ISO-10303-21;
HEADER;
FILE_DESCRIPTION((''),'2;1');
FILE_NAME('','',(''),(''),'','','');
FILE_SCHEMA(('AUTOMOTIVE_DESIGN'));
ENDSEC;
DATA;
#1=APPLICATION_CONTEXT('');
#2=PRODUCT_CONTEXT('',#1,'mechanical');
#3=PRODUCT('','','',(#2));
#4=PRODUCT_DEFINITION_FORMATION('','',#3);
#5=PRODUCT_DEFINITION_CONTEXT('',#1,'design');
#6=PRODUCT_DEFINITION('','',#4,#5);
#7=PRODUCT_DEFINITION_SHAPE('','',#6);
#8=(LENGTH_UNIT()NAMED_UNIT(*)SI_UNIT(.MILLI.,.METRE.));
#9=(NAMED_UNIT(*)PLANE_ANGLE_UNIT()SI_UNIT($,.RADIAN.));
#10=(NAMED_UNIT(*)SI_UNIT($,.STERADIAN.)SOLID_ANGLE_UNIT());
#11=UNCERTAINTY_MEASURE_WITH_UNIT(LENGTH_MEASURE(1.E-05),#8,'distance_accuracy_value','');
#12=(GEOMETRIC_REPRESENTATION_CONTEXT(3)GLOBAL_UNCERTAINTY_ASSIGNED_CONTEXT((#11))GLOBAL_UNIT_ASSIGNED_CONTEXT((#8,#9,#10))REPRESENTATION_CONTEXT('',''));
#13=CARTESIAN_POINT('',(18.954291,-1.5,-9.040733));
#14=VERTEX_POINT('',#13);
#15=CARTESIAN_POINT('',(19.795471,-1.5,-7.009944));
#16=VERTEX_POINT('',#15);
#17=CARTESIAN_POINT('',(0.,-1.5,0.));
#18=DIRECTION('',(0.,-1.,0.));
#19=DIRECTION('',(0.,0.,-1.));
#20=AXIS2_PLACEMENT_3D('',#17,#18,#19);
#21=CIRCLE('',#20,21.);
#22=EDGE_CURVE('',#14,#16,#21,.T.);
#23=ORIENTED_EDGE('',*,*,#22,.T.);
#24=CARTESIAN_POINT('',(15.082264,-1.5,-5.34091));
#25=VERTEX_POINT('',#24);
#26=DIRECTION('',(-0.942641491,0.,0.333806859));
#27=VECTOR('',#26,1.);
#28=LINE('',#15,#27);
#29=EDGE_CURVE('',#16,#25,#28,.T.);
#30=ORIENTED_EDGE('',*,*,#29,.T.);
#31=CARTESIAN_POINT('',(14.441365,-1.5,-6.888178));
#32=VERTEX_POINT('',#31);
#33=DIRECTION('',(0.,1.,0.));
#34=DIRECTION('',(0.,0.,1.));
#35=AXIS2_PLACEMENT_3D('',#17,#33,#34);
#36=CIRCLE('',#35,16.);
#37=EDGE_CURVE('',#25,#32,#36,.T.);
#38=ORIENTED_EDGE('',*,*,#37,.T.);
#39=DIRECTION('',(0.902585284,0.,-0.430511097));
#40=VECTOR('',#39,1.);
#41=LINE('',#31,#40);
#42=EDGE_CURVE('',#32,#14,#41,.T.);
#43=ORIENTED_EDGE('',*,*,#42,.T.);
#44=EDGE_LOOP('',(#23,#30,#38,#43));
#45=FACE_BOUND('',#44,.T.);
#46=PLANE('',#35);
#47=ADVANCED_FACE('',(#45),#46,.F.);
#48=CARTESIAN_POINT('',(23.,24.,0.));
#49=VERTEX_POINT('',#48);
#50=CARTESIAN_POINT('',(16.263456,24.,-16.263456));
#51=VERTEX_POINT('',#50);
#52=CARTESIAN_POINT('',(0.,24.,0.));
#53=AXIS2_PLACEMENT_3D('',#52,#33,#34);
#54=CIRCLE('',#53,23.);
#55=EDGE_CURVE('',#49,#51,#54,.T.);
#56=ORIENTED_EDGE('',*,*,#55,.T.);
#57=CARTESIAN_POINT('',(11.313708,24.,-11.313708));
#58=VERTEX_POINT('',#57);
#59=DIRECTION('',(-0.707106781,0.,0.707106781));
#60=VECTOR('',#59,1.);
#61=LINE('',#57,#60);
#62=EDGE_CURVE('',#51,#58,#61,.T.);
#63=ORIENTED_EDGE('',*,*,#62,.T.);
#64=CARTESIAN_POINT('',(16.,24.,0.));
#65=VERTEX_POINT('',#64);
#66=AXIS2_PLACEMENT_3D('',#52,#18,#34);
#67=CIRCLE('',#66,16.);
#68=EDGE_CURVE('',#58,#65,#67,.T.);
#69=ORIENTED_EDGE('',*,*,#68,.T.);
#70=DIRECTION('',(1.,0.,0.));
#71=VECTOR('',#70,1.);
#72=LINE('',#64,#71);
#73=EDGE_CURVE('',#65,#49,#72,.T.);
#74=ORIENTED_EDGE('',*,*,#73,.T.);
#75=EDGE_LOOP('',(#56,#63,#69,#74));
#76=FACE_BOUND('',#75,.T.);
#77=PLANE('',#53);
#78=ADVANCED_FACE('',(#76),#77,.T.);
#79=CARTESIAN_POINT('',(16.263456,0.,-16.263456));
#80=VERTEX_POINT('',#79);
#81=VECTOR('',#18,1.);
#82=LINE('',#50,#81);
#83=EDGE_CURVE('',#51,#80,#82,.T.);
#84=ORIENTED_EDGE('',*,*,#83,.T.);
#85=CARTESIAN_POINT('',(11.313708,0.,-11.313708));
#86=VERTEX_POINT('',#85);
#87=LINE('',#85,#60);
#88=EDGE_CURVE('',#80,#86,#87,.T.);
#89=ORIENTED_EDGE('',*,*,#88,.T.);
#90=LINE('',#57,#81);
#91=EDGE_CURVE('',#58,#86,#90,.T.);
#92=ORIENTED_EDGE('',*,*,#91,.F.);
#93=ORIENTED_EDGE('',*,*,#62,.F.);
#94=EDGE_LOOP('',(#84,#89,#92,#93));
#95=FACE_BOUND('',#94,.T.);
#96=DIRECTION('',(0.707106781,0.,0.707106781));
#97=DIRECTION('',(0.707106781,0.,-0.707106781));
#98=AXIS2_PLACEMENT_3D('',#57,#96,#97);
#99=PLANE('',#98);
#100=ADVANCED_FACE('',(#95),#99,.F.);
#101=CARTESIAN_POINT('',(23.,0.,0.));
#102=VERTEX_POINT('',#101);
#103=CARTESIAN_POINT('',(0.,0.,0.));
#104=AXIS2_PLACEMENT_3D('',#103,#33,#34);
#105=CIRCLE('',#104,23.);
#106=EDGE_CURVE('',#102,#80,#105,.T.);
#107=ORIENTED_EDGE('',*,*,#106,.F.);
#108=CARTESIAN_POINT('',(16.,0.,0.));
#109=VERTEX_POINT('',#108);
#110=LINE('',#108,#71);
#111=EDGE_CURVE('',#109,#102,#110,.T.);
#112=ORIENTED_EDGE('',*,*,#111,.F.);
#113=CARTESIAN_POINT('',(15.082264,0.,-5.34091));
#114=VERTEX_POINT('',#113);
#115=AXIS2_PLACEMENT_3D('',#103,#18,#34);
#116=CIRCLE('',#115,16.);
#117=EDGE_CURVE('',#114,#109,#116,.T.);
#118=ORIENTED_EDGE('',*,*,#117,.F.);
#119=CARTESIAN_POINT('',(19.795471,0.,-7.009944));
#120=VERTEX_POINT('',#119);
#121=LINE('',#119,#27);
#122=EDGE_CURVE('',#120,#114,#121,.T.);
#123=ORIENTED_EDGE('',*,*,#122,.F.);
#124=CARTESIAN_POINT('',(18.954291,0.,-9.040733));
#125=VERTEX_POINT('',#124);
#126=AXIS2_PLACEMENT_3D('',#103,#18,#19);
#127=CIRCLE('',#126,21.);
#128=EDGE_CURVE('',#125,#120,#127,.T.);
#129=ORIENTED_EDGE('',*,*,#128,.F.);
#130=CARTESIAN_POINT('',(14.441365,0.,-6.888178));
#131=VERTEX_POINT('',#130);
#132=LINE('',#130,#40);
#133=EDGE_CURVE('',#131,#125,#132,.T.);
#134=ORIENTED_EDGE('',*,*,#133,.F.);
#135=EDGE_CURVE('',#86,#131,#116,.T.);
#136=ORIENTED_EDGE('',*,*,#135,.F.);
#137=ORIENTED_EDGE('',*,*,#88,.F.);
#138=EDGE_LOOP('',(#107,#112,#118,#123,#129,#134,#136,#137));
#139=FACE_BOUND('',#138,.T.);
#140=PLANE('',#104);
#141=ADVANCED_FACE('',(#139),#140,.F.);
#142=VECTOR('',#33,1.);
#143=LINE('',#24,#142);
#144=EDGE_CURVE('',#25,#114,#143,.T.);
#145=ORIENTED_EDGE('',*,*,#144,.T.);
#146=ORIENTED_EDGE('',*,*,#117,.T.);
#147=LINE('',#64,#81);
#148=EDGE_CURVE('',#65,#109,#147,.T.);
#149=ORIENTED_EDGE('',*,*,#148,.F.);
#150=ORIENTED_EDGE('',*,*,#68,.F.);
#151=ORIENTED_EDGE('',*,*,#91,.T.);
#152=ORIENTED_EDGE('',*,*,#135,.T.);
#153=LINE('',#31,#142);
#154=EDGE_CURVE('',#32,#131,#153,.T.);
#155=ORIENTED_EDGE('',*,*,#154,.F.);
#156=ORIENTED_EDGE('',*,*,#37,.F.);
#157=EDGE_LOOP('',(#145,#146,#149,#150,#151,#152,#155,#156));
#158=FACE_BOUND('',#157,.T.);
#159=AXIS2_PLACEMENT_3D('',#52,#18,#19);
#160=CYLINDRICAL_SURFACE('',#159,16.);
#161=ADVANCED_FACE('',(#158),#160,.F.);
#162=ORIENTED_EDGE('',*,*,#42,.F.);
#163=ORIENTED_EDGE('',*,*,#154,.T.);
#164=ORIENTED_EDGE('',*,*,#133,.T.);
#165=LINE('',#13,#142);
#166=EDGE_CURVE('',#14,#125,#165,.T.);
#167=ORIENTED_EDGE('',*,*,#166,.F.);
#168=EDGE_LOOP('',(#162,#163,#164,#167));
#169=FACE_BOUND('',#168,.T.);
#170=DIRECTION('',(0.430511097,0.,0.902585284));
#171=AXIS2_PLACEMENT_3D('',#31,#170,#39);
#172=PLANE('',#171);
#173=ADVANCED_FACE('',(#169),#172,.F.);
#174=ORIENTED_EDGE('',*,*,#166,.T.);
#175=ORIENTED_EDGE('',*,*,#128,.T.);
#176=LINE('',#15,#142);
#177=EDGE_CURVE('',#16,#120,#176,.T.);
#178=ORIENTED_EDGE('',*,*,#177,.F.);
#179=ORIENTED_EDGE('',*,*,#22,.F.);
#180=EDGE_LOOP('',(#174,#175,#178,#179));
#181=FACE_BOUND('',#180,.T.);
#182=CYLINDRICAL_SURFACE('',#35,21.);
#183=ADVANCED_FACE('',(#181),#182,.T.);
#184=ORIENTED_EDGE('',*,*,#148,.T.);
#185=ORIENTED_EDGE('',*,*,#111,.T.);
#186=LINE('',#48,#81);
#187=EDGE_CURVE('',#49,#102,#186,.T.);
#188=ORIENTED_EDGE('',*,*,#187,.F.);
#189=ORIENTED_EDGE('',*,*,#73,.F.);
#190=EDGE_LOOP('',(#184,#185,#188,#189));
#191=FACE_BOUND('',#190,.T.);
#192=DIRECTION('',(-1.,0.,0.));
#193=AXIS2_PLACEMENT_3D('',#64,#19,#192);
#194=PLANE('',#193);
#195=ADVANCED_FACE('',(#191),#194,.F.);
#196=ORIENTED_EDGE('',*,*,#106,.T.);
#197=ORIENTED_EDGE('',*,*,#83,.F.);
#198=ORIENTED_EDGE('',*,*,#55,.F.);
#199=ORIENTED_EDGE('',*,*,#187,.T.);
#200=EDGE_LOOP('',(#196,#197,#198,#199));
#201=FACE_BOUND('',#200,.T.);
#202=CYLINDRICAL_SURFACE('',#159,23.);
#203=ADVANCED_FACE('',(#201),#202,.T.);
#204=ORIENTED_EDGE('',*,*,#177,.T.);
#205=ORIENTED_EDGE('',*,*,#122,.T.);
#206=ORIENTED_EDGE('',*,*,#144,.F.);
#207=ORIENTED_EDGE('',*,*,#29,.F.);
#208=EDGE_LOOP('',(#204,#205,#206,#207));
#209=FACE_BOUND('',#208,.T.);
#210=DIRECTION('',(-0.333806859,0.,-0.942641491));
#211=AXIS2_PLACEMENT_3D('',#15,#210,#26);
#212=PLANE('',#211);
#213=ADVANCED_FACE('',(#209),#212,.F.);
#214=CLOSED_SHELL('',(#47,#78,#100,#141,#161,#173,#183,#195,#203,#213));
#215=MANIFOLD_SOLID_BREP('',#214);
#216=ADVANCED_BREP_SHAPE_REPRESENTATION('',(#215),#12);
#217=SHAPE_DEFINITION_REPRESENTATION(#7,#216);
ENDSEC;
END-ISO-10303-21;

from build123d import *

# Parameters (mm, degrees)
BOSS_EXTRUDE1_DEPTH = 24
BOSS_EXTRUDE2_START = 1.5
BOSS_EXTRUDE2_DEPTH = 1.5


with BuildPart() as part:
    # Sketch1 → Boss-Extrude1 (new body)
    with BuildSketch(Plane(origin=(0, 0, 0), x_dir=(1, 0, 0), z_dir=(0, 1, 0))):
        with BuildLine():
            Line((11.313708499, 11.313708499), (16.263455967, 16.263455967))
            ThreePointArc((16.263455967, 16.263455967), (21.249229248, 8.801718944), (23, 0))
            Line((23, 0), (16, 0))
            ThreePointArc((16, 0), (14.78207252, 6.122934918), (11.313708499, 11.313708499))
        make_face()
    extrude(amount=BOSS_EXTRUDE1_DEPTH)

    # Sketch4 → Boss-Extrude2 (add)
    with BuildSketch(Plane.XZ.offset(BOSS_EXTRUDE2_START)):
        with BuildLine():
            Line((14.44136455, -6.888177549), (18.954290971, -9.040733033))
            ThreePointArc((18.954290971, -9.040733033), (19.401470183, -8.03635208), (19.795471313, -7.009944044))
            Line((19.795471313, -7.009944044), (15.082263857, -5.340909748))
            ThreePointArc((15.082263857, -5.340909748), (14.78207252, -6.122934918), (14.44136455, -6.888177549))
        make_face()
    extrude(amount=-BOSS_EXTRUDE2_DEPTH)


solid = part.part
